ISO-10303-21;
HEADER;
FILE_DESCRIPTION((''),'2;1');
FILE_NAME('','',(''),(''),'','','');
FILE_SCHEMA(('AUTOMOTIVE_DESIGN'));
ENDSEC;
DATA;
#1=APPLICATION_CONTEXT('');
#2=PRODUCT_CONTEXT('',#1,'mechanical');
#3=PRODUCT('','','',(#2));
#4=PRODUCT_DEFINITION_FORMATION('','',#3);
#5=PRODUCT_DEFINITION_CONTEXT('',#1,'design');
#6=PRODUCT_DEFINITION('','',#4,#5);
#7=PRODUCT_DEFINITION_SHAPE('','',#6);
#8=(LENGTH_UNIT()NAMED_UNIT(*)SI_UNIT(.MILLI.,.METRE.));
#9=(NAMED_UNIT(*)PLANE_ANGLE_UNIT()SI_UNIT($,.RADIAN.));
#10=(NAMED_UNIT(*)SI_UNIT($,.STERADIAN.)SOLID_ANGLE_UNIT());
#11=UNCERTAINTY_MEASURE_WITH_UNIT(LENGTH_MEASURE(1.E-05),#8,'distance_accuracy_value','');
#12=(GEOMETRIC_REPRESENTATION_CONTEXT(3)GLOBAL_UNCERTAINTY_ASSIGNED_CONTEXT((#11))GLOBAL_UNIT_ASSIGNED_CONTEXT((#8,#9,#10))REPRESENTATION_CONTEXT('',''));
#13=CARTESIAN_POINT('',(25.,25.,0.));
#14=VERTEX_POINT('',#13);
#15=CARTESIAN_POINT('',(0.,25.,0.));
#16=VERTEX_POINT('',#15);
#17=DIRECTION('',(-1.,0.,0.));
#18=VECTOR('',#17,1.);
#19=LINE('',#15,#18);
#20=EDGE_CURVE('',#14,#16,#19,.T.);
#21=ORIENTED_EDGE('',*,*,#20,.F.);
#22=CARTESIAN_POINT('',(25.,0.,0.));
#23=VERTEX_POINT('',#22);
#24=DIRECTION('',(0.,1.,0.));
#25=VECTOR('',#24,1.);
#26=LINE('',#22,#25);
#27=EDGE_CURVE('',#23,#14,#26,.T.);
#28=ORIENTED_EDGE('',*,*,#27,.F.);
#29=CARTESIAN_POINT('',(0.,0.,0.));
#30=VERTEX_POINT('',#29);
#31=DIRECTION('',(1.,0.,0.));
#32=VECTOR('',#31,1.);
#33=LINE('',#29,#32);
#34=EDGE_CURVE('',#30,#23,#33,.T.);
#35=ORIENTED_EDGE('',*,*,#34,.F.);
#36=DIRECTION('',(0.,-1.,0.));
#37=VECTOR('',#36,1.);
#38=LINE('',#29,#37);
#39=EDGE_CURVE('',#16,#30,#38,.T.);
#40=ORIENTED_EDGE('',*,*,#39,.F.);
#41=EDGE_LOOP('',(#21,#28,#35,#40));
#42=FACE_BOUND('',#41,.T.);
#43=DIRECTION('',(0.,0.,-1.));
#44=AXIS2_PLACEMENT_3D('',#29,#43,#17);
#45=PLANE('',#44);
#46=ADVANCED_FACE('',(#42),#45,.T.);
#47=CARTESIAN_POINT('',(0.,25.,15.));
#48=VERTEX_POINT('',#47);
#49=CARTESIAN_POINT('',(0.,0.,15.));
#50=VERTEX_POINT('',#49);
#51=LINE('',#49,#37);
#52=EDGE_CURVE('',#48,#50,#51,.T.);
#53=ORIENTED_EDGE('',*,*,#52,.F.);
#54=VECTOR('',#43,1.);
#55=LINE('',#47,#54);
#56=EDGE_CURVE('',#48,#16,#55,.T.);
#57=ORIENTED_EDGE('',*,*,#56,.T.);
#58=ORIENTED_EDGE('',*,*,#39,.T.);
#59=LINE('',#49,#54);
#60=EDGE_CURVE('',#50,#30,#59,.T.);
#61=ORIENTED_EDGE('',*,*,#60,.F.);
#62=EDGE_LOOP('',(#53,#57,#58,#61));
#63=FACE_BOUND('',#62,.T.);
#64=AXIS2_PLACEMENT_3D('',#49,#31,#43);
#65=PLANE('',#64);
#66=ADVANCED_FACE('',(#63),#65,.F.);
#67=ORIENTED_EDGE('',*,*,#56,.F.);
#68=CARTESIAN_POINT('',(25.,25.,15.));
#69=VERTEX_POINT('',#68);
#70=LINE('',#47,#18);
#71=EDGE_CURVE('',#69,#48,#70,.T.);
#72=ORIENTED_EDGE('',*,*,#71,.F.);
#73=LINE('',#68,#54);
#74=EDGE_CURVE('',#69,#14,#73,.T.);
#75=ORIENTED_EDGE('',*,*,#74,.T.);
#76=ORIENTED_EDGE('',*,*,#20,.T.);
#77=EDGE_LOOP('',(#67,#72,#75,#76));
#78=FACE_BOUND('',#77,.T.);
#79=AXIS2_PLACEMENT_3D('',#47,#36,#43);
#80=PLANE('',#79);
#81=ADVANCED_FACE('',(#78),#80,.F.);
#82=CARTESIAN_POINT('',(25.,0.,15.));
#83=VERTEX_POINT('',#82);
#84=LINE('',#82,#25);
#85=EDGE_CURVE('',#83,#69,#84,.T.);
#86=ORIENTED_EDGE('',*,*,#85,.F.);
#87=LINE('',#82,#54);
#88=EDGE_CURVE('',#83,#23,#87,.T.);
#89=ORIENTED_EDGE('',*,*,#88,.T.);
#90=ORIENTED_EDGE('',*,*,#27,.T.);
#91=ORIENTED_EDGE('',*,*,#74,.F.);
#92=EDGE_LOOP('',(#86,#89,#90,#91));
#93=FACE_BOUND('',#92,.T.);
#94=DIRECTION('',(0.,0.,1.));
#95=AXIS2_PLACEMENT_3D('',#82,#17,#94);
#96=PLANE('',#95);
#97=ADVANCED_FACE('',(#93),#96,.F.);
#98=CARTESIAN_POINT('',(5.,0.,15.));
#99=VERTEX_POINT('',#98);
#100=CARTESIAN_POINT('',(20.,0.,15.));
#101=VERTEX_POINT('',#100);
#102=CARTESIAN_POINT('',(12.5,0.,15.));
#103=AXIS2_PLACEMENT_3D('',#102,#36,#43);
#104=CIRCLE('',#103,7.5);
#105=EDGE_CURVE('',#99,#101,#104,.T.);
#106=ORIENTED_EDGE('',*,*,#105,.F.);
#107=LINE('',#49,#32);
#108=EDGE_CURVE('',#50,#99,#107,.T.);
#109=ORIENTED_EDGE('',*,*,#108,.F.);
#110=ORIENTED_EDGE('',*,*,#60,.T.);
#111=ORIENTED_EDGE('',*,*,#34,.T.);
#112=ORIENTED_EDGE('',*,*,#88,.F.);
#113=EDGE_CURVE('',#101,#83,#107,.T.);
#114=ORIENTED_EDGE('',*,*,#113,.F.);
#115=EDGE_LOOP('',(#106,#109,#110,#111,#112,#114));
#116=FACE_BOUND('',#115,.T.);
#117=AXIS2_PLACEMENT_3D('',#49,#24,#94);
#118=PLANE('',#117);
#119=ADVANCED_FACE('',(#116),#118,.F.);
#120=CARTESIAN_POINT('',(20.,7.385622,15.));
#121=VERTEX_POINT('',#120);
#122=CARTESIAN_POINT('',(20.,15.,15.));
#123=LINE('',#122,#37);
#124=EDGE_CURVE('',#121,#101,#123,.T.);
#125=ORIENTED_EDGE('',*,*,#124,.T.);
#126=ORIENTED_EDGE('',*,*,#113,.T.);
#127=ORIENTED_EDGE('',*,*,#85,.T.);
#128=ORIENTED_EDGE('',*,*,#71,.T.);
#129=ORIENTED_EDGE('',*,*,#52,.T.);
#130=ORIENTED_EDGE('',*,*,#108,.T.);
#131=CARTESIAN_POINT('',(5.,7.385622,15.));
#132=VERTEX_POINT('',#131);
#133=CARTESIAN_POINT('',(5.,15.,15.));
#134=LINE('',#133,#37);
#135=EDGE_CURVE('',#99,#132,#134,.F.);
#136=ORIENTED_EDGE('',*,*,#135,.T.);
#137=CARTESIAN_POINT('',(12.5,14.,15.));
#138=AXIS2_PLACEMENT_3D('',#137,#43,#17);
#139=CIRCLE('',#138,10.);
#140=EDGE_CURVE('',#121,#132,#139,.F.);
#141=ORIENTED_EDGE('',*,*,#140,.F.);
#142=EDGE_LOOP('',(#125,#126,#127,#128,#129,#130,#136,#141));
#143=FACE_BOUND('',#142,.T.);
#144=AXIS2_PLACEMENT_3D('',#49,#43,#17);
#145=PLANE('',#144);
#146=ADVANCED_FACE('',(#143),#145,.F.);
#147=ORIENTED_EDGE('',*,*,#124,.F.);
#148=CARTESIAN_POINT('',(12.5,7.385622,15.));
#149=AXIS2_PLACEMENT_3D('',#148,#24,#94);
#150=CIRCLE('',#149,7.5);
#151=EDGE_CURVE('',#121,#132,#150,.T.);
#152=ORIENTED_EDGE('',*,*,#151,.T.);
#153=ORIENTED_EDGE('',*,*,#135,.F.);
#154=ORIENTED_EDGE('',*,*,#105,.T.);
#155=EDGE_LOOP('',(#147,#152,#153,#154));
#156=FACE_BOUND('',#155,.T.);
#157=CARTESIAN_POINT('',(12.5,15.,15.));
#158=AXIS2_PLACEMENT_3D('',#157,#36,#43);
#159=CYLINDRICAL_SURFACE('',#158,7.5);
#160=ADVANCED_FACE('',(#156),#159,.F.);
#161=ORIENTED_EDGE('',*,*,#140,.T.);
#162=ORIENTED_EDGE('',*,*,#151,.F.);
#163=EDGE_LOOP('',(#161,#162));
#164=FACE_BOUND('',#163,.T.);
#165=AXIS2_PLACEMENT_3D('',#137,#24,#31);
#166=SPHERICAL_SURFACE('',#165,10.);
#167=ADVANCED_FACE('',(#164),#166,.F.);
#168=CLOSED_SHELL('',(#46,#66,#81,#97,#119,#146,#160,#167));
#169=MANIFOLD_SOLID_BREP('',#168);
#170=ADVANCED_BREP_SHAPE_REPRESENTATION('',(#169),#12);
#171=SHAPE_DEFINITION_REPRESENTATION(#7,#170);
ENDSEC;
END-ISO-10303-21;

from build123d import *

# Parameters (mm, degrees)
SKETCH1_W           = 25
SKETCH1_H           = 25
BOSS_EXTRUDE1_DEPTH = 15
SKETCH3_R           = 7.5
CUT_EXTRUDE1_DEPTH  = 15


with BuildPart() as part:
    # Sketch1 → Boss-Extrude1 (new body)
    with BuildSketch(Plane.XY):
        with Locations((12.5, 12.5)):
            Rectangle(SKETCH1_W, SKETCH1_H)
    extrude(amount=BOSS_EXTRUDE1_DEPTH)

    # Sketch2 → Cut-Revolve2 (revolve, cut)
    with BuildSketch(Plane.XY.offset(15)):
        with BuildLine():
            Line((12.5, 24), (12.5, 4))
            ThreePointArc((12.5, 4), (22.5, 14), (12.5, 24))
        make_face()
    revolve(axis=Axis((12.5, 24, 15), (0, -1, 0)), mode=Mode.SUBTRACT)

    # Sketch3 → Cut-Extrude1 (cut)
    with BuildSketch(Plane.XZ):
        with Locations((12.5, 15)):
            Circle(SKETCH3_R)
    extrude(amount=-CUT_EXTRUDE1_DEPTH, mode=Mode.SUBTRACT)


solid = part.part
